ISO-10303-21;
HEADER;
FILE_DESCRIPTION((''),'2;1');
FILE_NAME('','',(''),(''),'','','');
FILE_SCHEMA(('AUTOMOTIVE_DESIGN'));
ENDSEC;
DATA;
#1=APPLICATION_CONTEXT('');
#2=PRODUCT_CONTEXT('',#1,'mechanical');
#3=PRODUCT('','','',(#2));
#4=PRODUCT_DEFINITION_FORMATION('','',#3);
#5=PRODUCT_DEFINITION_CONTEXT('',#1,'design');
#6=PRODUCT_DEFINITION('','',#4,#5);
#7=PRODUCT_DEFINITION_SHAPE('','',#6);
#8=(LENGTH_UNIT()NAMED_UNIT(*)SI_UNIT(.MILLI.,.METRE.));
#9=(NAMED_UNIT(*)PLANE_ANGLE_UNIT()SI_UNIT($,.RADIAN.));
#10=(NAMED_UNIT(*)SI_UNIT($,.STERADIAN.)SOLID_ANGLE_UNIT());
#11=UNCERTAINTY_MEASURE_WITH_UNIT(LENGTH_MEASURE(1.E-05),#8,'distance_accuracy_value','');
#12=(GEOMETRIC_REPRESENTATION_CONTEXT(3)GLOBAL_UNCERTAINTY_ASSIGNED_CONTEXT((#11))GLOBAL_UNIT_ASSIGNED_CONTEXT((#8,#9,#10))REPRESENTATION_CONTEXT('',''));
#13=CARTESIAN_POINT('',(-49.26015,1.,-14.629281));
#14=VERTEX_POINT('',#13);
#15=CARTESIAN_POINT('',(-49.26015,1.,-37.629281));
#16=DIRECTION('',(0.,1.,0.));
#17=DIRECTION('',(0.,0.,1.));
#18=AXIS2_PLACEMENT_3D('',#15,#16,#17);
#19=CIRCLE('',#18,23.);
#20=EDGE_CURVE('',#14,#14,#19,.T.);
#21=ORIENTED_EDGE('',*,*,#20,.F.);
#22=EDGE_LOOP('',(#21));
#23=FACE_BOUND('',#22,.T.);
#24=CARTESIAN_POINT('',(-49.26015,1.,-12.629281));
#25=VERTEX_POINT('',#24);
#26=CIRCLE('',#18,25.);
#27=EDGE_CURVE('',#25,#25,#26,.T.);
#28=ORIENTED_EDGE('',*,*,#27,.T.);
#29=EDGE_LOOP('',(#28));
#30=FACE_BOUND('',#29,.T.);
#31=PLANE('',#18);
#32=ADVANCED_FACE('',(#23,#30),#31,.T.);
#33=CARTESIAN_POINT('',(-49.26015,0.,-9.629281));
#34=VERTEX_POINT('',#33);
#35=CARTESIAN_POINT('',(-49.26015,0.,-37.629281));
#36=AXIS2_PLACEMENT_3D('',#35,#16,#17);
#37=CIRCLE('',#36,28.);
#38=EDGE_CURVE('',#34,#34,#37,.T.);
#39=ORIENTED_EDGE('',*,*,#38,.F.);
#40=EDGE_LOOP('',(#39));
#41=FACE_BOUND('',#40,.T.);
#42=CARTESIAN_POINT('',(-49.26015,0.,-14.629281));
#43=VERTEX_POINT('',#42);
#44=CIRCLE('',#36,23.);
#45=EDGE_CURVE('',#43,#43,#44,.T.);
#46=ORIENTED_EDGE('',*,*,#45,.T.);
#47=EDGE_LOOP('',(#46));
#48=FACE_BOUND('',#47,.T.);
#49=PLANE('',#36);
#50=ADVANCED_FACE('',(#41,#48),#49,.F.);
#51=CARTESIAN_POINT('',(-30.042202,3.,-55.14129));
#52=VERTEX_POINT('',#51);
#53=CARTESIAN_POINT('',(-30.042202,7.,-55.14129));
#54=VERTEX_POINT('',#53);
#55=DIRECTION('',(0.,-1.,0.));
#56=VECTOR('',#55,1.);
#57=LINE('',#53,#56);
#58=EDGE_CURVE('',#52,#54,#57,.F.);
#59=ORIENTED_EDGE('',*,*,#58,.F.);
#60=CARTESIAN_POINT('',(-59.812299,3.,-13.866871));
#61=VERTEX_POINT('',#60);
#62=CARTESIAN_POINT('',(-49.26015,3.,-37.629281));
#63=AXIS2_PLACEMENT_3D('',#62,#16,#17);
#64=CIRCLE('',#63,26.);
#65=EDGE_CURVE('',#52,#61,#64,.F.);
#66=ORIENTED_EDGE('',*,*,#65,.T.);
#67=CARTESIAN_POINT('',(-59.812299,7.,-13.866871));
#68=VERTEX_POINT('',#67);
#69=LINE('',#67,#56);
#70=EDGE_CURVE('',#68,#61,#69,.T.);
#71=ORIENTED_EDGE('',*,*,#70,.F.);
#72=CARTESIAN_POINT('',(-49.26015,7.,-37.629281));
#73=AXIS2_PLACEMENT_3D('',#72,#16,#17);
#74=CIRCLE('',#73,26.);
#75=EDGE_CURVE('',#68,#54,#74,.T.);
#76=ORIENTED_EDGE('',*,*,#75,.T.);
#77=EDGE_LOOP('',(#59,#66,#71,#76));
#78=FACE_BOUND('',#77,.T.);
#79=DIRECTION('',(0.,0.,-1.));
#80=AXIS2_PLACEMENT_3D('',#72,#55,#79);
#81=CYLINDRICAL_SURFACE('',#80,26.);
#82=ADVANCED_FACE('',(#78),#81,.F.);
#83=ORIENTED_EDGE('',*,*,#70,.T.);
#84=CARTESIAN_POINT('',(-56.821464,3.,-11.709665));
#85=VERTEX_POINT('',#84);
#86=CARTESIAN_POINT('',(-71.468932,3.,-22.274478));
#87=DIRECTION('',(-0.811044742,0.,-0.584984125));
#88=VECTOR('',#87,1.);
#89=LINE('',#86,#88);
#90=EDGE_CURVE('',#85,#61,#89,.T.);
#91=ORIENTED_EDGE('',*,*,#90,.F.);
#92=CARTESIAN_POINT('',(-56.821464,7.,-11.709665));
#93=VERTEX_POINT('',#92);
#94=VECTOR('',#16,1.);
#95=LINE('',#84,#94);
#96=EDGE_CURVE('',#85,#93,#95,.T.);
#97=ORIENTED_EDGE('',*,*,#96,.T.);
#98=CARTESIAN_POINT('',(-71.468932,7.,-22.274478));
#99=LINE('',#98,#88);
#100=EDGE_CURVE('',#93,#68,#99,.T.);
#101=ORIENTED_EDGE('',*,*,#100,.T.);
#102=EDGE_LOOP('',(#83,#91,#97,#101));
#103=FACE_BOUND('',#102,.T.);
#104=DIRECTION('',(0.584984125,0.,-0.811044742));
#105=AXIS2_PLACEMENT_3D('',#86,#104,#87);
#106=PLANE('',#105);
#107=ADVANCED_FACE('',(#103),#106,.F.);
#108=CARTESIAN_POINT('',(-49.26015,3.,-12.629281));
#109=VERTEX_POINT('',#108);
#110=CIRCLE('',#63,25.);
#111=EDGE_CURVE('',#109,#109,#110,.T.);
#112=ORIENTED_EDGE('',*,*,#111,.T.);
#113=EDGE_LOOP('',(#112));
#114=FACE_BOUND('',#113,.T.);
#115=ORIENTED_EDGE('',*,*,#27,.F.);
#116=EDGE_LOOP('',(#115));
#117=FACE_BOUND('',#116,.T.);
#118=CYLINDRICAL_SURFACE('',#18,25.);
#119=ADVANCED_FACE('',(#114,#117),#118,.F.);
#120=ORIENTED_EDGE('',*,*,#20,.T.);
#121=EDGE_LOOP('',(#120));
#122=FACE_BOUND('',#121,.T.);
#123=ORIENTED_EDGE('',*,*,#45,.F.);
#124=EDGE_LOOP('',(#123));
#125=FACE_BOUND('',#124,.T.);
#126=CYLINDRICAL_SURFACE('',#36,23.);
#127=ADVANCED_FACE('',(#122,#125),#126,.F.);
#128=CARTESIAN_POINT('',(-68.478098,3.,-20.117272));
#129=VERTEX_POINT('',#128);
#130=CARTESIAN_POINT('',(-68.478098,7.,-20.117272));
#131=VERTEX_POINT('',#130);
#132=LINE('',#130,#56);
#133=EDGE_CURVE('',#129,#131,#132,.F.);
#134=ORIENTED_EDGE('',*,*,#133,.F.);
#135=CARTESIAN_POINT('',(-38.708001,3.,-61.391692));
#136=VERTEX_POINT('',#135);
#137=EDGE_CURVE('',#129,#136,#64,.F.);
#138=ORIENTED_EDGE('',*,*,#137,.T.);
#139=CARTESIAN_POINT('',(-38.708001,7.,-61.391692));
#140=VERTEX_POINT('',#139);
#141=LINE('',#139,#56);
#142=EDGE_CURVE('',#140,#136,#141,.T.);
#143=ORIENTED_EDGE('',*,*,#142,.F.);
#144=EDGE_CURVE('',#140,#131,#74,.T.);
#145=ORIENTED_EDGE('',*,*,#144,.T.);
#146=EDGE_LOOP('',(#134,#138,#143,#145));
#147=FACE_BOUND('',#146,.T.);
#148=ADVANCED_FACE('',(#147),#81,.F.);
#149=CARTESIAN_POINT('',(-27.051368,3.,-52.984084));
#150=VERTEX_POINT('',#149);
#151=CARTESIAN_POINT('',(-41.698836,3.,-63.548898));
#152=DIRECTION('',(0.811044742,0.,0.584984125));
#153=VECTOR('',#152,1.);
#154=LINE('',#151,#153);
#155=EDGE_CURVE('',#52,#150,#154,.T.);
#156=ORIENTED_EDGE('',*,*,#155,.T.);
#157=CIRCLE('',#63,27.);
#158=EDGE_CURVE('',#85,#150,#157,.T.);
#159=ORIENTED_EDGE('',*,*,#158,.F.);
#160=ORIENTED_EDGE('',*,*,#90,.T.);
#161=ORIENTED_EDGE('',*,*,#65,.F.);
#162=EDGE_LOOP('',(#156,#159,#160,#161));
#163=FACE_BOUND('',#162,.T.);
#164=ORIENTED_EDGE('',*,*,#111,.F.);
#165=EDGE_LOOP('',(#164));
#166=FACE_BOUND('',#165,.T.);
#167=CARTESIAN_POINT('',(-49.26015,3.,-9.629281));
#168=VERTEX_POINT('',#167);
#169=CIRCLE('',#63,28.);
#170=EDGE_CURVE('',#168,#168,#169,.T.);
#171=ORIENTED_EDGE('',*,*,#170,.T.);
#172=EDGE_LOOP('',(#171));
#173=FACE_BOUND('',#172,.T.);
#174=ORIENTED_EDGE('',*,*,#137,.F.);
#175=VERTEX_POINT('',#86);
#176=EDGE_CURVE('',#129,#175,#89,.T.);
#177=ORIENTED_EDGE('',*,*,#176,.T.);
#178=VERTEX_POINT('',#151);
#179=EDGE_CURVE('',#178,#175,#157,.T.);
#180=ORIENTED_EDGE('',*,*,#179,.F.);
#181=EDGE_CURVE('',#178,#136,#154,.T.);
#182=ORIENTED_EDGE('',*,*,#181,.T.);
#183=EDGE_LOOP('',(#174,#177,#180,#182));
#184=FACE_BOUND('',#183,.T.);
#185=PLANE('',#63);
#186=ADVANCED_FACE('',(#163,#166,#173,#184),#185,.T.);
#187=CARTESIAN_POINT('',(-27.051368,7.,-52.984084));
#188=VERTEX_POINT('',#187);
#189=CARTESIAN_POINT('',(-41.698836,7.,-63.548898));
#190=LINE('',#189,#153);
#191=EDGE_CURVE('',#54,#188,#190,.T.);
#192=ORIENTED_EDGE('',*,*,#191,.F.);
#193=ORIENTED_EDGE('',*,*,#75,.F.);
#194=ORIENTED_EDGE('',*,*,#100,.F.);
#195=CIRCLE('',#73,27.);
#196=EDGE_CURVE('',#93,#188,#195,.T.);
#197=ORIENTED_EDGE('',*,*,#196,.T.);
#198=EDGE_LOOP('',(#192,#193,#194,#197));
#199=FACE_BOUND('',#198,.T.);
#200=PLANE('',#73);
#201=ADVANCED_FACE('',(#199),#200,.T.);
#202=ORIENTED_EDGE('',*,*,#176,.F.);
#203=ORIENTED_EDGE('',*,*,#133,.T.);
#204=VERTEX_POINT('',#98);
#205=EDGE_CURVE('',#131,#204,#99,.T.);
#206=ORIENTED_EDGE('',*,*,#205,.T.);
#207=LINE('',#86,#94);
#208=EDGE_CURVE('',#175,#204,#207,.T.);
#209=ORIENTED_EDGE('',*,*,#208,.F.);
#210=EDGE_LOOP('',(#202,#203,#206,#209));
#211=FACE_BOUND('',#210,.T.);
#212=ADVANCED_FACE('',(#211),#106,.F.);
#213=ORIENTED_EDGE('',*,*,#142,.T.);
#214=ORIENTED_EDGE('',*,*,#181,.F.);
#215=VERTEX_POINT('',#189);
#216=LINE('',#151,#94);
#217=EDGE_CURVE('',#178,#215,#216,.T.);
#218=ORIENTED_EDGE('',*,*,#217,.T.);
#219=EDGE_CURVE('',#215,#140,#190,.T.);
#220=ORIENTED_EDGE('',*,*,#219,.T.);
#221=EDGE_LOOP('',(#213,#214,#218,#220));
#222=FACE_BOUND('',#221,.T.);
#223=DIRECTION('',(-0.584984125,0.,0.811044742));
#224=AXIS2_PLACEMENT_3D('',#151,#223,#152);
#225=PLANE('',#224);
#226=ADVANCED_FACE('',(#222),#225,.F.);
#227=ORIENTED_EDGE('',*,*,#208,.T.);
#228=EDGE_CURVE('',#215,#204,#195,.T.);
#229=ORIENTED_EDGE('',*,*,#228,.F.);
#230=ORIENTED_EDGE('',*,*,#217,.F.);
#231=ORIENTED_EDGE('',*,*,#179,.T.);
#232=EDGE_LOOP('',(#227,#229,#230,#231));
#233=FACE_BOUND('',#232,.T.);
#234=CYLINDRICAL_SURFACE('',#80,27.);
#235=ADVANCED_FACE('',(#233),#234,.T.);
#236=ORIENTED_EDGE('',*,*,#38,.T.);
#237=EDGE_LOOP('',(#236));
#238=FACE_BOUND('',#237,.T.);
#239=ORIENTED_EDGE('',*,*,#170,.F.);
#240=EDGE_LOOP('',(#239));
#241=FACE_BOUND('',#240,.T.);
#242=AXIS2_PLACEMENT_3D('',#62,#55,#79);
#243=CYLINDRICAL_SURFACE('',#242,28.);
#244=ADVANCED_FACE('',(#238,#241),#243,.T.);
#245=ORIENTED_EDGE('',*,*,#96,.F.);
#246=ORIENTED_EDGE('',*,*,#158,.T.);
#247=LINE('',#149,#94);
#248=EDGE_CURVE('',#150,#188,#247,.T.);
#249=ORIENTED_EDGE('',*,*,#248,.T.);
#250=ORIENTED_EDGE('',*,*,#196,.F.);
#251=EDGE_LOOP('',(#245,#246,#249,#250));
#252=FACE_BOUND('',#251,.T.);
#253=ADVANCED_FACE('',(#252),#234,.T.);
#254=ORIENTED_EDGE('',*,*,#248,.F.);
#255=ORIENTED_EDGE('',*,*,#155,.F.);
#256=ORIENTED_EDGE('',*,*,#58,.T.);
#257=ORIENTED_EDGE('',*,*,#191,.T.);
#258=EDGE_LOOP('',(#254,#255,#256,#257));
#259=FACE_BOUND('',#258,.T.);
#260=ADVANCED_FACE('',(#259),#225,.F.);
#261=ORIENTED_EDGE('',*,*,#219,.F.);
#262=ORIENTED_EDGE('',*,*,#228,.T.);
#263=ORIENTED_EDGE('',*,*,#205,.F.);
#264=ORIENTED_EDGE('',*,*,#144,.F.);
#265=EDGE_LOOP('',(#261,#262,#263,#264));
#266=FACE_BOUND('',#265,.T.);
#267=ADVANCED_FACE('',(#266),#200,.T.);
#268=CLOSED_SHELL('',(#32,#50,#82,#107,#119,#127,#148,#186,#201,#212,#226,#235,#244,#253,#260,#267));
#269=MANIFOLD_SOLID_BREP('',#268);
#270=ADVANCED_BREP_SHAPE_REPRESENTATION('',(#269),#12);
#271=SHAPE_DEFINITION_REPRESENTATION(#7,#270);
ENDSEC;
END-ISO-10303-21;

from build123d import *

# Parameters (mm, degrees)
ESQUISSE6_R             = 28
BOSS_EXTRU_3_DEPTH      = 3
ESQUISSE7_R             = 27
ESQUISSE7_R_2           = 26
BOSS_EXTRU_4_DEPTH      = 4
ESQUISSE8_R             = 25
ENL_V_MAT_EXTRU_2_DEPTH = 2
ESQUISSE9_R             = 23
ENL_V_MAT_EXTRU_3_DEPTH = 102.549659352
ENL_V_MAT_EXTRU_4_DEPTH = 4


with BuildPart() as part:
    # Esquisse6 → Boss.-Extru.3 (new body)
    with BuildSketch(Plane(origin=(0, 0, 0), x_dir=(1, 0, 0), z_dir=(0, 1, 0))):
        with Locations(Location((-49.260149918, 37.629281188, 0), (0, 0, 270))):
            Circle(ESQUISSE6_R)
    extrude(amount=BOSS_EXTRU_3_DEPTH)

    # Esquisse7 → Boss.-Extru.4 (add)
    with BuildSketch(Plane(origin=(0, 3, 0), x_dir=(1, 0, 0), z_dir=(0, 1, 0))):
        with Locations(Location((-49.260149918, 37.629281188, 0), (0, 0, 270))):
            Circle(ESQUISSE7_R)
        with Locations(Location((-49.260149918, 37.629281188, 0), (0, 0, 270))):
            Circle(ESQUISSE7_R_2, mode=Mode.SUBTRACT)
    extrude(amount=BOSS_EXTRU_4_DEPTH)

    # Esquisse8 → Enlèv. mat.-Extru.2 (cut)
    with BuildSketch(Plane(origin=(0, 3, 0), x_dir=(1, 0, 0), z_dir=(0, 1, 0))):
        with Locations(Location((-49.260149918, 37.629281188, 0), (0, 0, 270))):
            Circle(ESQUISSE8_R)
    extrude(amount=-ENL_V_MAT_EXTRU_2_DEPTH, mode=Mode.SUBTRACT)

    # Esquisse9 → Enlèv. mat.-Extru.3 (cut, through all)
    with BuildSketch(Plane(origin=(0, 1, 0), x_dir=(1, 0, 0), z_dir=(0, 1, 0))):
        with Locations(Location((-49.260149918, 37.629281188, 0), (0, 0, 270))):
            Circle(ESQUISSE9_R)
    extrude(amount=-ENL_V_MAT_EXTRU_3_DEPTH, mode=Mode.SUBTRACT)

    # Esquisse10 → Enlèv. mat.-Extru.4 (cut)
    with BuildSketch(Plane(origin=(0, 7, 0), x_dir=(1, 0, 0), z_dir=(0, 1, 0))):
        Polygon((-71.468932312, 22.27447788), (-56.821464275, 11.709664578), (-59.381564572, 8.160241962), (-74.029032608, 18.725055265), align=None)
        Polygon((-39.138735265, 67.098320413), (-24.491267228, 56.53350711), (-27.051367525, 52.984084495), (-41.698835561, 63.548897797), align=None)
    extrude(amount=-ENL_V_MAT_EXTRU_4_DEPTH, mode=Mode.SUBTRACT)


solid = part.part
